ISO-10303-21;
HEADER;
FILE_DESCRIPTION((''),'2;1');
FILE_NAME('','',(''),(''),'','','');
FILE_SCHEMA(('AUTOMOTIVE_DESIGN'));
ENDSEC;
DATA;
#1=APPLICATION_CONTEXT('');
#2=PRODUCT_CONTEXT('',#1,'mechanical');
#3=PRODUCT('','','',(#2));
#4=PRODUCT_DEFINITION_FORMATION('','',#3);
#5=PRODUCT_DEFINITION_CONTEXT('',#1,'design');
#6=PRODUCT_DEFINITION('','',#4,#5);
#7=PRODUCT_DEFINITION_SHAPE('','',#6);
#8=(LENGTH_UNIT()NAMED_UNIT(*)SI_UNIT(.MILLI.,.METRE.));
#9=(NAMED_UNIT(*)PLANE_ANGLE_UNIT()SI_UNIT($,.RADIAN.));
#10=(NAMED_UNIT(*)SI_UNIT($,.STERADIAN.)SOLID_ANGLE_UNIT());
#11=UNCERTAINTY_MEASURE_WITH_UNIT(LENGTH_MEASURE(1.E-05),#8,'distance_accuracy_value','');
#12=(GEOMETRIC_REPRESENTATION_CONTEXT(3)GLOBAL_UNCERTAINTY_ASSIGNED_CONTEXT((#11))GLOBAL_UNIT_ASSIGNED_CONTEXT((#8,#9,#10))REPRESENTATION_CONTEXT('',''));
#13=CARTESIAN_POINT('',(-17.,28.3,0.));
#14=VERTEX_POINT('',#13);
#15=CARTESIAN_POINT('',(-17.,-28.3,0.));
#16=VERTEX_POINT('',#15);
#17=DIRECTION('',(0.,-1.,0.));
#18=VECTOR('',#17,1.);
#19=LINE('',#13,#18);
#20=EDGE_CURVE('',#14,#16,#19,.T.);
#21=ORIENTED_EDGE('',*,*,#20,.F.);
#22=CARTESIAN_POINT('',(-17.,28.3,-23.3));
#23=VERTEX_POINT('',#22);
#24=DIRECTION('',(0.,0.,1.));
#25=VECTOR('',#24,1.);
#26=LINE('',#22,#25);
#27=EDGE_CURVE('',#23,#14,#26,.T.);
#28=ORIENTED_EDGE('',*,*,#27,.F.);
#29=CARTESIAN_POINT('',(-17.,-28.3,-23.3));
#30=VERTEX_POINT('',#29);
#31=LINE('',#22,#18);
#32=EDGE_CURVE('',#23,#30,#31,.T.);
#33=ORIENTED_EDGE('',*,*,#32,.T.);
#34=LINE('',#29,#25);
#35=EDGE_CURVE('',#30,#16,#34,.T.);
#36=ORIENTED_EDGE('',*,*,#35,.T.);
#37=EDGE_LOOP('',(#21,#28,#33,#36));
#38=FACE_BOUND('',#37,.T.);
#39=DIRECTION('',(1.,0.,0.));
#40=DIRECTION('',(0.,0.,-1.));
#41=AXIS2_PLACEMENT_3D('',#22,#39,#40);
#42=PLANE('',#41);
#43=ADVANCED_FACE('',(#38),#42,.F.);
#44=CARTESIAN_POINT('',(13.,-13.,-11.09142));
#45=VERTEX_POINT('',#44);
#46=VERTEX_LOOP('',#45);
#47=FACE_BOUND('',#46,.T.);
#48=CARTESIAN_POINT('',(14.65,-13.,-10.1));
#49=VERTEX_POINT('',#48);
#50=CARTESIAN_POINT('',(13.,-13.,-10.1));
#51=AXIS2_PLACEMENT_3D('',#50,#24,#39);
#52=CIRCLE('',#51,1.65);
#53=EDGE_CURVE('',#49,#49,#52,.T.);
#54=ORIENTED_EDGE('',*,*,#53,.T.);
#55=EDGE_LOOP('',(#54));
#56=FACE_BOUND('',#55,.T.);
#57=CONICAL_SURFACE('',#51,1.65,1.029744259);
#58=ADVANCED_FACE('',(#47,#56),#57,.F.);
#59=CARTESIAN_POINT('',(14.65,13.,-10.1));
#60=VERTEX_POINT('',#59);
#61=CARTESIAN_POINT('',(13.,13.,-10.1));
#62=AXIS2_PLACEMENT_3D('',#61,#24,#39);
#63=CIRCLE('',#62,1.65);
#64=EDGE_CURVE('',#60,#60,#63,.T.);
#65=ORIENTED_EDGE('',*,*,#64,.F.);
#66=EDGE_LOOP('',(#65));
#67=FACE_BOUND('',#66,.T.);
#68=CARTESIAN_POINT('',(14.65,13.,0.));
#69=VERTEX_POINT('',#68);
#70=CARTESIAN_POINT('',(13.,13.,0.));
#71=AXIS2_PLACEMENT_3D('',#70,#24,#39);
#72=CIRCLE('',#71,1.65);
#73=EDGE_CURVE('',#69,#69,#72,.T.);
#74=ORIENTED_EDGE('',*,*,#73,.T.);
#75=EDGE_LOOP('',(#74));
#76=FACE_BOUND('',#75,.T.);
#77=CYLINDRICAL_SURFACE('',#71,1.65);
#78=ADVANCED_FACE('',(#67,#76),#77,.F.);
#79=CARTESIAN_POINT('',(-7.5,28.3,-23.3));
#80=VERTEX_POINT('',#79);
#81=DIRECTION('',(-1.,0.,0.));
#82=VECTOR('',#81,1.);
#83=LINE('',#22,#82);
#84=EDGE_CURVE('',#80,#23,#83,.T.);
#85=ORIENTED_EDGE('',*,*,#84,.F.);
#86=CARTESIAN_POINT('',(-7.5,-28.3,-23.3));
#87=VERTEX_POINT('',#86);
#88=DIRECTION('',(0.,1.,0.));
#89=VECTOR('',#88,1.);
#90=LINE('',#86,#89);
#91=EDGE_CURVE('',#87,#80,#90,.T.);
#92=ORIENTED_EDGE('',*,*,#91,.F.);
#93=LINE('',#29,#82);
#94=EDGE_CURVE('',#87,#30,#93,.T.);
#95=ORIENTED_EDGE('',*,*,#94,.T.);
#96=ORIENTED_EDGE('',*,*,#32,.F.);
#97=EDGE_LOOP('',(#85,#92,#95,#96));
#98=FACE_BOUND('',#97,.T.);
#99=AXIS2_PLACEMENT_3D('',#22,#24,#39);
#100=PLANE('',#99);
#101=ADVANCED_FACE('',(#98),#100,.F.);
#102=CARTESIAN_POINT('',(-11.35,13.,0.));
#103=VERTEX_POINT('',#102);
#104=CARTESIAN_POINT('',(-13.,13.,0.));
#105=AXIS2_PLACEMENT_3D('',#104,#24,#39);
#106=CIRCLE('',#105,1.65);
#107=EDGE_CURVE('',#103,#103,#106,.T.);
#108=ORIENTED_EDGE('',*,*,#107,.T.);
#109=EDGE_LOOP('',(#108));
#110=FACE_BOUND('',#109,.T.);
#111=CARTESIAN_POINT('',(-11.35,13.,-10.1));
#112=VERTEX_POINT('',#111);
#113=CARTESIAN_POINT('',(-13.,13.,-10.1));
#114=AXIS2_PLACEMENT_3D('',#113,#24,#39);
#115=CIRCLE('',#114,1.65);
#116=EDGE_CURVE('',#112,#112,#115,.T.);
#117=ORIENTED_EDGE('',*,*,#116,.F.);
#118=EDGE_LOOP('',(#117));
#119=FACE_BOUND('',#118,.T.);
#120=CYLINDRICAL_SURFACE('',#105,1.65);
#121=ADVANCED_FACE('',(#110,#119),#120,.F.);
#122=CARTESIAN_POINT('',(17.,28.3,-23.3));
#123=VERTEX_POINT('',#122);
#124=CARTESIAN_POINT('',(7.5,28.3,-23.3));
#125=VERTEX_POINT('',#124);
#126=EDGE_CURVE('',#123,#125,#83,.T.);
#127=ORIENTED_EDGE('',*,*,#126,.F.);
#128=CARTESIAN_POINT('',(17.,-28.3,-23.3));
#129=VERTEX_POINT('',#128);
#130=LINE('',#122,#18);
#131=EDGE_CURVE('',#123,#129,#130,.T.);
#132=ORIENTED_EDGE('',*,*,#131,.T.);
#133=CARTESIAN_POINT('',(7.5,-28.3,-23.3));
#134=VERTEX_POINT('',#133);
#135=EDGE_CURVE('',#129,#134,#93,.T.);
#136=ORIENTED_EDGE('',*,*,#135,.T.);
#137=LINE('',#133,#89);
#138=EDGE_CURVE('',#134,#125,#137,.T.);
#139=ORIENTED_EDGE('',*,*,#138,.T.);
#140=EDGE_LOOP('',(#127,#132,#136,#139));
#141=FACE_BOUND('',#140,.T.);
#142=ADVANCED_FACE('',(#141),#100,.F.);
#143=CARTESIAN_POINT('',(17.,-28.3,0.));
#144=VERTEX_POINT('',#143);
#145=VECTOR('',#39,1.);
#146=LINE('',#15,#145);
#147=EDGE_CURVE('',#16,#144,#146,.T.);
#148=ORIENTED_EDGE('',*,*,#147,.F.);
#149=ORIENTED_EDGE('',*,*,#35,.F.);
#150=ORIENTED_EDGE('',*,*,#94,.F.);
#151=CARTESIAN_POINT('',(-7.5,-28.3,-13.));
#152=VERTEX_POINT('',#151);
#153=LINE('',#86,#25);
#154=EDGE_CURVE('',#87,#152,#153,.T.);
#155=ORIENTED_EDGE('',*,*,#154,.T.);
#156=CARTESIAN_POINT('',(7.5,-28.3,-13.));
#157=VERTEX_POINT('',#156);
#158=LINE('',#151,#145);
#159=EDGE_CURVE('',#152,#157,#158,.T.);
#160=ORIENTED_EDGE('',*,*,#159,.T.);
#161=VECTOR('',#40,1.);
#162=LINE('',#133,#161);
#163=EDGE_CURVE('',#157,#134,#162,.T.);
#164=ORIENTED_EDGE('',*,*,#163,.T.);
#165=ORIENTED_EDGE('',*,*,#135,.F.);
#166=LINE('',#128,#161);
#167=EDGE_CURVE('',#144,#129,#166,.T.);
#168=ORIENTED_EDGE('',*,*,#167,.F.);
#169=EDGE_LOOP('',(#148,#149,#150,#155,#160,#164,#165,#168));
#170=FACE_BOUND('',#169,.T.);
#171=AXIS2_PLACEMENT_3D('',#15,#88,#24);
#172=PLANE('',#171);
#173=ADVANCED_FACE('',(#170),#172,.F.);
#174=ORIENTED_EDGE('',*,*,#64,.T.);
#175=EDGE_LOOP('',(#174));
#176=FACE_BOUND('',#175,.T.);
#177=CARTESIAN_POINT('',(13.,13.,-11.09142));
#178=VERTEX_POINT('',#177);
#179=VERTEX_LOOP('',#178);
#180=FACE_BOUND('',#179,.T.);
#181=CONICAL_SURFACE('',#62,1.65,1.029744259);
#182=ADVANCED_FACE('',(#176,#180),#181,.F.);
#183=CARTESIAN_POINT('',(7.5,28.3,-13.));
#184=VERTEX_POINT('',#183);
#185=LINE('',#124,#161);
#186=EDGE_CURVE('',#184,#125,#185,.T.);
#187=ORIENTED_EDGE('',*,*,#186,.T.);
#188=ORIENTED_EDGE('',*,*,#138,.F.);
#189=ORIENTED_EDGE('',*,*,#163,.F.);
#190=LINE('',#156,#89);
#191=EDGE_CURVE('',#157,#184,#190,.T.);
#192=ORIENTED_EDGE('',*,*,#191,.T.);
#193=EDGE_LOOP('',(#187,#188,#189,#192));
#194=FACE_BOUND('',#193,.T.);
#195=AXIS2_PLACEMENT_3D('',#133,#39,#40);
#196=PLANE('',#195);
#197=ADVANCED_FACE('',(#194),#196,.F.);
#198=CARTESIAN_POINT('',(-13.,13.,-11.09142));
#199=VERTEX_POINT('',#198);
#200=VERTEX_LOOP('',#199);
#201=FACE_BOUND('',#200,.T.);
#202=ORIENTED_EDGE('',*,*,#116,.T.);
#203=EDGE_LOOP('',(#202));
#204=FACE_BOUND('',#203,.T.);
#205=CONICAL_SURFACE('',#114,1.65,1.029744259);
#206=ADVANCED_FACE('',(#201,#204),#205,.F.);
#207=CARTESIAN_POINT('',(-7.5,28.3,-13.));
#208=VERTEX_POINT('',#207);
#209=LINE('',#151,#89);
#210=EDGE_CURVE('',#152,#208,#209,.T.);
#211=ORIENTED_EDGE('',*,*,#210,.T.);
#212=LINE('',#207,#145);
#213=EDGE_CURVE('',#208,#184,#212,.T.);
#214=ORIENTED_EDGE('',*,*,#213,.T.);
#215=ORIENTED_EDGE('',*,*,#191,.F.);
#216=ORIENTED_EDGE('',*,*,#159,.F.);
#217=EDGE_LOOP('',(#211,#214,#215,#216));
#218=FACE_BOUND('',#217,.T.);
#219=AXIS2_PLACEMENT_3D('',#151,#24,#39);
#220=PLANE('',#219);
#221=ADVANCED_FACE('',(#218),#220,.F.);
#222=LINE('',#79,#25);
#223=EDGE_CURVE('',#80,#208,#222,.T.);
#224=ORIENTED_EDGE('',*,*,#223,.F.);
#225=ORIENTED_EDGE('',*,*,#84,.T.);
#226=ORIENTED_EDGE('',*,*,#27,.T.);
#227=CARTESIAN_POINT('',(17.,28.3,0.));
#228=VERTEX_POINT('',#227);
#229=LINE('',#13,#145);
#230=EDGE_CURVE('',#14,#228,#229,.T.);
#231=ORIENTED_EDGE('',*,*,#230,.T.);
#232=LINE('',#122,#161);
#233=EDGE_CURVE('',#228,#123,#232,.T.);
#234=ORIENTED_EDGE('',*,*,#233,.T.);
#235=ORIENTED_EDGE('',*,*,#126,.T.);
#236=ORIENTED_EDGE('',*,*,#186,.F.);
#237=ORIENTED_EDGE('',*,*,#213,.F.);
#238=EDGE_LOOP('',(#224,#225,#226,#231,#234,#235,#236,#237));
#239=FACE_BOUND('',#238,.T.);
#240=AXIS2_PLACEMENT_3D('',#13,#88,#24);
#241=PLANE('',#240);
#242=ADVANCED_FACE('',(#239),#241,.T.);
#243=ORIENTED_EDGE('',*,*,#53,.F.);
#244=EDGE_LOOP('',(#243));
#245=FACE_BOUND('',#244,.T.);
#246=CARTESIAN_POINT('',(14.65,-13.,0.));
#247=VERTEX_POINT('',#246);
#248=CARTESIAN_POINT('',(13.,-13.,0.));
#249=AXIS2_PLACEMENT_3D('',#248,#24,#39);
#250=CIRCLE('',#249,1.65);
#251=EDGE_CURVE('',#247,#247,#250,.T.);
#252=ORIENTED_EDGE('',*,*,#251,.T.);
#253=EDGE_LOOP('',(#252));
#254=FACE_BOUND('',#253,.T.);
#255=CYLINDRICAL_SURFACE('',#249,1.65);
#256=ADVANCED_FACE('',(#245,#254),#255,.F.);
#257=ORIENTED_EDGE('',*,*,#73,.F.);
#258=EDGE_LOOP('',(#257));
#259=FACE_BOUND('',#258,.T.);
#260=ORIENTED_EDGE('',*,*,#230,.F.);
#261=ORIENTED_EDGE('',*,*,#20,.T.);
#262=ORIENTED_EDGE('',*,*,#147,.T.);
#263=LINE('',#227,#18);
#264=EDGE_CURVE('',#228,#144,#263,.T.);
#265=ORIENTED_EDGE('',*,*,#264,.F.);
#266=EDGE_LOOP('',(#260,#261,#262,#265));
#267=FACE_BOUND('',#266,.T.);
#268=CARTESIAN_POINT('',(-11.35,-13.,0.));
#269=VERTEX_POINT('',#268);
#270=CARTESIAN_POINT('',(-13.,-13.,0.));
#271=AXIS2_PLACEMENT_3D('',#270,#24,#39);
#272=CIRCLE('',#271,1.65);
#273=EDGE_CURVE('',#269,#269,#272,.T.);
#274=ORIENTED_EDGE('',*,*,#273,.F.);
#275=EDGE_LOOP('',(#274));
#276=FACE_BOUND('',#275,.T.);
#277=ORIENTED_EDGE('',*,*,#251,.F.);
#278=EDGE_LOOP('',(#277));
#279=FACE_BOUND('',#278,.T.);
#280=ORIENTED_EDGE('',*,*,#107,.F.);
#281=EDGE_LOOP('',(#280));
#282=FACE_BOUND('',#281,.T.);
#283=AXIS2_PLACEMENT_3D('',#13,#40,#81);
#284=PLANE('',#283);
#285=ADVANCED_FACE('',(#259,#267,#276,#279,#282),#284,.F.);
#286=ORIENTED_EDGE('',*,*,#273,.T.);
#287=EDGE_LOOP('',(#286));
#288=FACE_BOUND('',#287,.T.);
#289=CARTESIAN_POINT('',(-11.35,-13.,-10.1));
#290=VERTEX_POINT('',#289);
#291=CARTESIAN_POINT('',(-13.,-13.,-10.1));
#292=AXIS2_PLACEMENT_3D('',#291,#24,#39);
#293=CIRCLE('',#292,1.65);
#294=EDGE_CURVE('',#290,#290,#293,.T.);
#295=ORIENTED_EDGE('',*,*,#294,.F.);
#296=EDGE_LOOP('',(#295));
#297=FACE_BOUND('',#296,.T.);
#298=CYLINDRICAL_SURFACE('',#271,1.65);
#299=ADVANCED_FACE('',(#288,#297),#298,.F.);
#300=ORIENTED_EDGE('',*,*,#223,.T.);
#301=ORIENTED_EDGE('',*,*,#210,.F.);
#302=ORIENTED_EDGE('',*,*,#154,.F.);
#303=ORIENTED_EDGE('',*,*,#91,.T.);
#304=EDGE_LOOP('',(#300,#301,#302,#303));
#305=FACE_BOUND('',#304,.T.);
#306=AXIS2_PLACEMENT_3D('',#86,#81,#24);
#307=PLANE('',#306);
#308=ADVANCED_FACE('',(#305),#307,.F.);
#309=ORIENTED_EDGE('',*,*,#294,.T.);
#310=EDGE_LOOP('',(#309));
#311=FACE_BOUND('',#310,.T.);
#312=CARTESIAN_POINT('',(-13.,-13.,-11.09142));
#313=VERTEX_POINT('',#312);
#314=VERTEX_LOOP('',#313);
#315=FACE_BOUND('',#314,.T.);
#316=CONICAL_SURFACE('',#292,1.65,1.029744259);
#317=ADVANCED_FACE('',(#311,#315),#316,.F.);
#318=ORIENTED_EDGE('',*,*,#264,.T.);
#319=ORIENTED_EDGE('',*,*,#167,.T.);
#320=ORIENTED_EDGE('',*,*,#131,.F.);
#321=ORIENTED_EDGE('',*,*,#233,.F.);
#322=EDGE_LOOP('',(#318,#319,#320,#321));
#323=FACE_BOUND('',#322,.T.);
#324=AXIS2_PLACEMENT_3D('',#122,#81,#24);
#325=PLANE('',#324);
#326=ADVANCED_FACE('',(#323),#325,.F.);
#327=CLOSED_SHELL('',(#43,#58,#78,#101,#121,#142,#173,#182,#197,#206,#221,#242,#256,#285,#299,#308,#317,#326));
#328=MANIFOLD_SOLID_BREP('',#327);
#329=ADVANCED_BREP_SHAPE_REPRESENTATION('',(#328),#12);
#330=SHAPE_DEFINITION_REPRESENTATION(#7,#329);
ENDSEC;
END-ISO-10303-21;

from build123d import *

# Parameters (mm, degrees)
SKETCH_1_W          = 34
SKETCH_1_H          = 23.3
EXTRUDE_1_DEPTH     = 28.3
SKETCH_2_W          = 15
SKETCH_2_H          = 10.3
CUT_EXTRUDE_1_DEPTH = 64.525191853
M4X0_7_1_D          = 3.3
M4X0_7_1_DEPTH      = 10.1
M4X0_7_1_TIP        = 0.991420021


with BuildPart() as part:
    # 草图1 → 凸台-拉伸1 (new, symmetric)
    with BuildSketch(Plane(origin=(0, 0, 0), x_dir=(1, 0, 0), z_dir=(0, 1, 0))):
        with Locations((0, 11.65)):
            Rectangle(SKETCH_1_W, SKETCH_1_H)
    extrude(amount=EXTRUDE_1_DEPTH, both=True)

    # 草图2 → 切除-拉伸1 (cut, through all)
    with BuildSketch(Plane(origin=(0, 28.3, 0), x_dir=(1, 0, 0), z_dir=(0, 1, 0))):
        with Locations((0, 18.15)):
            Rectangle(SKETCH_2_W, SKETCH_2_H)
    extrude(amount=-CUT_EXTRUDE_1_DEPTH, mode=Mode.SUBTRACT)

    # M4x0.7 螺纹孔1
    with Locations(Plane.XY):
        with Locations((-13, 13), (-13, -13), (13, -13), (13, 13)):
            Hole(M4X0_7_1_D / 2, depth=M4X0_7_1_DEPTH)
            with Locations((0, 0, -(M4X0_7_1_DEPTH + M4X0_7_1_TIP / 2))):  # 118° drill point
                Cone(0, M4X0_7_1_D / 2, M4X0_7_1_TIP, mode=Mode.SUBTRACT)


solid = part.part
